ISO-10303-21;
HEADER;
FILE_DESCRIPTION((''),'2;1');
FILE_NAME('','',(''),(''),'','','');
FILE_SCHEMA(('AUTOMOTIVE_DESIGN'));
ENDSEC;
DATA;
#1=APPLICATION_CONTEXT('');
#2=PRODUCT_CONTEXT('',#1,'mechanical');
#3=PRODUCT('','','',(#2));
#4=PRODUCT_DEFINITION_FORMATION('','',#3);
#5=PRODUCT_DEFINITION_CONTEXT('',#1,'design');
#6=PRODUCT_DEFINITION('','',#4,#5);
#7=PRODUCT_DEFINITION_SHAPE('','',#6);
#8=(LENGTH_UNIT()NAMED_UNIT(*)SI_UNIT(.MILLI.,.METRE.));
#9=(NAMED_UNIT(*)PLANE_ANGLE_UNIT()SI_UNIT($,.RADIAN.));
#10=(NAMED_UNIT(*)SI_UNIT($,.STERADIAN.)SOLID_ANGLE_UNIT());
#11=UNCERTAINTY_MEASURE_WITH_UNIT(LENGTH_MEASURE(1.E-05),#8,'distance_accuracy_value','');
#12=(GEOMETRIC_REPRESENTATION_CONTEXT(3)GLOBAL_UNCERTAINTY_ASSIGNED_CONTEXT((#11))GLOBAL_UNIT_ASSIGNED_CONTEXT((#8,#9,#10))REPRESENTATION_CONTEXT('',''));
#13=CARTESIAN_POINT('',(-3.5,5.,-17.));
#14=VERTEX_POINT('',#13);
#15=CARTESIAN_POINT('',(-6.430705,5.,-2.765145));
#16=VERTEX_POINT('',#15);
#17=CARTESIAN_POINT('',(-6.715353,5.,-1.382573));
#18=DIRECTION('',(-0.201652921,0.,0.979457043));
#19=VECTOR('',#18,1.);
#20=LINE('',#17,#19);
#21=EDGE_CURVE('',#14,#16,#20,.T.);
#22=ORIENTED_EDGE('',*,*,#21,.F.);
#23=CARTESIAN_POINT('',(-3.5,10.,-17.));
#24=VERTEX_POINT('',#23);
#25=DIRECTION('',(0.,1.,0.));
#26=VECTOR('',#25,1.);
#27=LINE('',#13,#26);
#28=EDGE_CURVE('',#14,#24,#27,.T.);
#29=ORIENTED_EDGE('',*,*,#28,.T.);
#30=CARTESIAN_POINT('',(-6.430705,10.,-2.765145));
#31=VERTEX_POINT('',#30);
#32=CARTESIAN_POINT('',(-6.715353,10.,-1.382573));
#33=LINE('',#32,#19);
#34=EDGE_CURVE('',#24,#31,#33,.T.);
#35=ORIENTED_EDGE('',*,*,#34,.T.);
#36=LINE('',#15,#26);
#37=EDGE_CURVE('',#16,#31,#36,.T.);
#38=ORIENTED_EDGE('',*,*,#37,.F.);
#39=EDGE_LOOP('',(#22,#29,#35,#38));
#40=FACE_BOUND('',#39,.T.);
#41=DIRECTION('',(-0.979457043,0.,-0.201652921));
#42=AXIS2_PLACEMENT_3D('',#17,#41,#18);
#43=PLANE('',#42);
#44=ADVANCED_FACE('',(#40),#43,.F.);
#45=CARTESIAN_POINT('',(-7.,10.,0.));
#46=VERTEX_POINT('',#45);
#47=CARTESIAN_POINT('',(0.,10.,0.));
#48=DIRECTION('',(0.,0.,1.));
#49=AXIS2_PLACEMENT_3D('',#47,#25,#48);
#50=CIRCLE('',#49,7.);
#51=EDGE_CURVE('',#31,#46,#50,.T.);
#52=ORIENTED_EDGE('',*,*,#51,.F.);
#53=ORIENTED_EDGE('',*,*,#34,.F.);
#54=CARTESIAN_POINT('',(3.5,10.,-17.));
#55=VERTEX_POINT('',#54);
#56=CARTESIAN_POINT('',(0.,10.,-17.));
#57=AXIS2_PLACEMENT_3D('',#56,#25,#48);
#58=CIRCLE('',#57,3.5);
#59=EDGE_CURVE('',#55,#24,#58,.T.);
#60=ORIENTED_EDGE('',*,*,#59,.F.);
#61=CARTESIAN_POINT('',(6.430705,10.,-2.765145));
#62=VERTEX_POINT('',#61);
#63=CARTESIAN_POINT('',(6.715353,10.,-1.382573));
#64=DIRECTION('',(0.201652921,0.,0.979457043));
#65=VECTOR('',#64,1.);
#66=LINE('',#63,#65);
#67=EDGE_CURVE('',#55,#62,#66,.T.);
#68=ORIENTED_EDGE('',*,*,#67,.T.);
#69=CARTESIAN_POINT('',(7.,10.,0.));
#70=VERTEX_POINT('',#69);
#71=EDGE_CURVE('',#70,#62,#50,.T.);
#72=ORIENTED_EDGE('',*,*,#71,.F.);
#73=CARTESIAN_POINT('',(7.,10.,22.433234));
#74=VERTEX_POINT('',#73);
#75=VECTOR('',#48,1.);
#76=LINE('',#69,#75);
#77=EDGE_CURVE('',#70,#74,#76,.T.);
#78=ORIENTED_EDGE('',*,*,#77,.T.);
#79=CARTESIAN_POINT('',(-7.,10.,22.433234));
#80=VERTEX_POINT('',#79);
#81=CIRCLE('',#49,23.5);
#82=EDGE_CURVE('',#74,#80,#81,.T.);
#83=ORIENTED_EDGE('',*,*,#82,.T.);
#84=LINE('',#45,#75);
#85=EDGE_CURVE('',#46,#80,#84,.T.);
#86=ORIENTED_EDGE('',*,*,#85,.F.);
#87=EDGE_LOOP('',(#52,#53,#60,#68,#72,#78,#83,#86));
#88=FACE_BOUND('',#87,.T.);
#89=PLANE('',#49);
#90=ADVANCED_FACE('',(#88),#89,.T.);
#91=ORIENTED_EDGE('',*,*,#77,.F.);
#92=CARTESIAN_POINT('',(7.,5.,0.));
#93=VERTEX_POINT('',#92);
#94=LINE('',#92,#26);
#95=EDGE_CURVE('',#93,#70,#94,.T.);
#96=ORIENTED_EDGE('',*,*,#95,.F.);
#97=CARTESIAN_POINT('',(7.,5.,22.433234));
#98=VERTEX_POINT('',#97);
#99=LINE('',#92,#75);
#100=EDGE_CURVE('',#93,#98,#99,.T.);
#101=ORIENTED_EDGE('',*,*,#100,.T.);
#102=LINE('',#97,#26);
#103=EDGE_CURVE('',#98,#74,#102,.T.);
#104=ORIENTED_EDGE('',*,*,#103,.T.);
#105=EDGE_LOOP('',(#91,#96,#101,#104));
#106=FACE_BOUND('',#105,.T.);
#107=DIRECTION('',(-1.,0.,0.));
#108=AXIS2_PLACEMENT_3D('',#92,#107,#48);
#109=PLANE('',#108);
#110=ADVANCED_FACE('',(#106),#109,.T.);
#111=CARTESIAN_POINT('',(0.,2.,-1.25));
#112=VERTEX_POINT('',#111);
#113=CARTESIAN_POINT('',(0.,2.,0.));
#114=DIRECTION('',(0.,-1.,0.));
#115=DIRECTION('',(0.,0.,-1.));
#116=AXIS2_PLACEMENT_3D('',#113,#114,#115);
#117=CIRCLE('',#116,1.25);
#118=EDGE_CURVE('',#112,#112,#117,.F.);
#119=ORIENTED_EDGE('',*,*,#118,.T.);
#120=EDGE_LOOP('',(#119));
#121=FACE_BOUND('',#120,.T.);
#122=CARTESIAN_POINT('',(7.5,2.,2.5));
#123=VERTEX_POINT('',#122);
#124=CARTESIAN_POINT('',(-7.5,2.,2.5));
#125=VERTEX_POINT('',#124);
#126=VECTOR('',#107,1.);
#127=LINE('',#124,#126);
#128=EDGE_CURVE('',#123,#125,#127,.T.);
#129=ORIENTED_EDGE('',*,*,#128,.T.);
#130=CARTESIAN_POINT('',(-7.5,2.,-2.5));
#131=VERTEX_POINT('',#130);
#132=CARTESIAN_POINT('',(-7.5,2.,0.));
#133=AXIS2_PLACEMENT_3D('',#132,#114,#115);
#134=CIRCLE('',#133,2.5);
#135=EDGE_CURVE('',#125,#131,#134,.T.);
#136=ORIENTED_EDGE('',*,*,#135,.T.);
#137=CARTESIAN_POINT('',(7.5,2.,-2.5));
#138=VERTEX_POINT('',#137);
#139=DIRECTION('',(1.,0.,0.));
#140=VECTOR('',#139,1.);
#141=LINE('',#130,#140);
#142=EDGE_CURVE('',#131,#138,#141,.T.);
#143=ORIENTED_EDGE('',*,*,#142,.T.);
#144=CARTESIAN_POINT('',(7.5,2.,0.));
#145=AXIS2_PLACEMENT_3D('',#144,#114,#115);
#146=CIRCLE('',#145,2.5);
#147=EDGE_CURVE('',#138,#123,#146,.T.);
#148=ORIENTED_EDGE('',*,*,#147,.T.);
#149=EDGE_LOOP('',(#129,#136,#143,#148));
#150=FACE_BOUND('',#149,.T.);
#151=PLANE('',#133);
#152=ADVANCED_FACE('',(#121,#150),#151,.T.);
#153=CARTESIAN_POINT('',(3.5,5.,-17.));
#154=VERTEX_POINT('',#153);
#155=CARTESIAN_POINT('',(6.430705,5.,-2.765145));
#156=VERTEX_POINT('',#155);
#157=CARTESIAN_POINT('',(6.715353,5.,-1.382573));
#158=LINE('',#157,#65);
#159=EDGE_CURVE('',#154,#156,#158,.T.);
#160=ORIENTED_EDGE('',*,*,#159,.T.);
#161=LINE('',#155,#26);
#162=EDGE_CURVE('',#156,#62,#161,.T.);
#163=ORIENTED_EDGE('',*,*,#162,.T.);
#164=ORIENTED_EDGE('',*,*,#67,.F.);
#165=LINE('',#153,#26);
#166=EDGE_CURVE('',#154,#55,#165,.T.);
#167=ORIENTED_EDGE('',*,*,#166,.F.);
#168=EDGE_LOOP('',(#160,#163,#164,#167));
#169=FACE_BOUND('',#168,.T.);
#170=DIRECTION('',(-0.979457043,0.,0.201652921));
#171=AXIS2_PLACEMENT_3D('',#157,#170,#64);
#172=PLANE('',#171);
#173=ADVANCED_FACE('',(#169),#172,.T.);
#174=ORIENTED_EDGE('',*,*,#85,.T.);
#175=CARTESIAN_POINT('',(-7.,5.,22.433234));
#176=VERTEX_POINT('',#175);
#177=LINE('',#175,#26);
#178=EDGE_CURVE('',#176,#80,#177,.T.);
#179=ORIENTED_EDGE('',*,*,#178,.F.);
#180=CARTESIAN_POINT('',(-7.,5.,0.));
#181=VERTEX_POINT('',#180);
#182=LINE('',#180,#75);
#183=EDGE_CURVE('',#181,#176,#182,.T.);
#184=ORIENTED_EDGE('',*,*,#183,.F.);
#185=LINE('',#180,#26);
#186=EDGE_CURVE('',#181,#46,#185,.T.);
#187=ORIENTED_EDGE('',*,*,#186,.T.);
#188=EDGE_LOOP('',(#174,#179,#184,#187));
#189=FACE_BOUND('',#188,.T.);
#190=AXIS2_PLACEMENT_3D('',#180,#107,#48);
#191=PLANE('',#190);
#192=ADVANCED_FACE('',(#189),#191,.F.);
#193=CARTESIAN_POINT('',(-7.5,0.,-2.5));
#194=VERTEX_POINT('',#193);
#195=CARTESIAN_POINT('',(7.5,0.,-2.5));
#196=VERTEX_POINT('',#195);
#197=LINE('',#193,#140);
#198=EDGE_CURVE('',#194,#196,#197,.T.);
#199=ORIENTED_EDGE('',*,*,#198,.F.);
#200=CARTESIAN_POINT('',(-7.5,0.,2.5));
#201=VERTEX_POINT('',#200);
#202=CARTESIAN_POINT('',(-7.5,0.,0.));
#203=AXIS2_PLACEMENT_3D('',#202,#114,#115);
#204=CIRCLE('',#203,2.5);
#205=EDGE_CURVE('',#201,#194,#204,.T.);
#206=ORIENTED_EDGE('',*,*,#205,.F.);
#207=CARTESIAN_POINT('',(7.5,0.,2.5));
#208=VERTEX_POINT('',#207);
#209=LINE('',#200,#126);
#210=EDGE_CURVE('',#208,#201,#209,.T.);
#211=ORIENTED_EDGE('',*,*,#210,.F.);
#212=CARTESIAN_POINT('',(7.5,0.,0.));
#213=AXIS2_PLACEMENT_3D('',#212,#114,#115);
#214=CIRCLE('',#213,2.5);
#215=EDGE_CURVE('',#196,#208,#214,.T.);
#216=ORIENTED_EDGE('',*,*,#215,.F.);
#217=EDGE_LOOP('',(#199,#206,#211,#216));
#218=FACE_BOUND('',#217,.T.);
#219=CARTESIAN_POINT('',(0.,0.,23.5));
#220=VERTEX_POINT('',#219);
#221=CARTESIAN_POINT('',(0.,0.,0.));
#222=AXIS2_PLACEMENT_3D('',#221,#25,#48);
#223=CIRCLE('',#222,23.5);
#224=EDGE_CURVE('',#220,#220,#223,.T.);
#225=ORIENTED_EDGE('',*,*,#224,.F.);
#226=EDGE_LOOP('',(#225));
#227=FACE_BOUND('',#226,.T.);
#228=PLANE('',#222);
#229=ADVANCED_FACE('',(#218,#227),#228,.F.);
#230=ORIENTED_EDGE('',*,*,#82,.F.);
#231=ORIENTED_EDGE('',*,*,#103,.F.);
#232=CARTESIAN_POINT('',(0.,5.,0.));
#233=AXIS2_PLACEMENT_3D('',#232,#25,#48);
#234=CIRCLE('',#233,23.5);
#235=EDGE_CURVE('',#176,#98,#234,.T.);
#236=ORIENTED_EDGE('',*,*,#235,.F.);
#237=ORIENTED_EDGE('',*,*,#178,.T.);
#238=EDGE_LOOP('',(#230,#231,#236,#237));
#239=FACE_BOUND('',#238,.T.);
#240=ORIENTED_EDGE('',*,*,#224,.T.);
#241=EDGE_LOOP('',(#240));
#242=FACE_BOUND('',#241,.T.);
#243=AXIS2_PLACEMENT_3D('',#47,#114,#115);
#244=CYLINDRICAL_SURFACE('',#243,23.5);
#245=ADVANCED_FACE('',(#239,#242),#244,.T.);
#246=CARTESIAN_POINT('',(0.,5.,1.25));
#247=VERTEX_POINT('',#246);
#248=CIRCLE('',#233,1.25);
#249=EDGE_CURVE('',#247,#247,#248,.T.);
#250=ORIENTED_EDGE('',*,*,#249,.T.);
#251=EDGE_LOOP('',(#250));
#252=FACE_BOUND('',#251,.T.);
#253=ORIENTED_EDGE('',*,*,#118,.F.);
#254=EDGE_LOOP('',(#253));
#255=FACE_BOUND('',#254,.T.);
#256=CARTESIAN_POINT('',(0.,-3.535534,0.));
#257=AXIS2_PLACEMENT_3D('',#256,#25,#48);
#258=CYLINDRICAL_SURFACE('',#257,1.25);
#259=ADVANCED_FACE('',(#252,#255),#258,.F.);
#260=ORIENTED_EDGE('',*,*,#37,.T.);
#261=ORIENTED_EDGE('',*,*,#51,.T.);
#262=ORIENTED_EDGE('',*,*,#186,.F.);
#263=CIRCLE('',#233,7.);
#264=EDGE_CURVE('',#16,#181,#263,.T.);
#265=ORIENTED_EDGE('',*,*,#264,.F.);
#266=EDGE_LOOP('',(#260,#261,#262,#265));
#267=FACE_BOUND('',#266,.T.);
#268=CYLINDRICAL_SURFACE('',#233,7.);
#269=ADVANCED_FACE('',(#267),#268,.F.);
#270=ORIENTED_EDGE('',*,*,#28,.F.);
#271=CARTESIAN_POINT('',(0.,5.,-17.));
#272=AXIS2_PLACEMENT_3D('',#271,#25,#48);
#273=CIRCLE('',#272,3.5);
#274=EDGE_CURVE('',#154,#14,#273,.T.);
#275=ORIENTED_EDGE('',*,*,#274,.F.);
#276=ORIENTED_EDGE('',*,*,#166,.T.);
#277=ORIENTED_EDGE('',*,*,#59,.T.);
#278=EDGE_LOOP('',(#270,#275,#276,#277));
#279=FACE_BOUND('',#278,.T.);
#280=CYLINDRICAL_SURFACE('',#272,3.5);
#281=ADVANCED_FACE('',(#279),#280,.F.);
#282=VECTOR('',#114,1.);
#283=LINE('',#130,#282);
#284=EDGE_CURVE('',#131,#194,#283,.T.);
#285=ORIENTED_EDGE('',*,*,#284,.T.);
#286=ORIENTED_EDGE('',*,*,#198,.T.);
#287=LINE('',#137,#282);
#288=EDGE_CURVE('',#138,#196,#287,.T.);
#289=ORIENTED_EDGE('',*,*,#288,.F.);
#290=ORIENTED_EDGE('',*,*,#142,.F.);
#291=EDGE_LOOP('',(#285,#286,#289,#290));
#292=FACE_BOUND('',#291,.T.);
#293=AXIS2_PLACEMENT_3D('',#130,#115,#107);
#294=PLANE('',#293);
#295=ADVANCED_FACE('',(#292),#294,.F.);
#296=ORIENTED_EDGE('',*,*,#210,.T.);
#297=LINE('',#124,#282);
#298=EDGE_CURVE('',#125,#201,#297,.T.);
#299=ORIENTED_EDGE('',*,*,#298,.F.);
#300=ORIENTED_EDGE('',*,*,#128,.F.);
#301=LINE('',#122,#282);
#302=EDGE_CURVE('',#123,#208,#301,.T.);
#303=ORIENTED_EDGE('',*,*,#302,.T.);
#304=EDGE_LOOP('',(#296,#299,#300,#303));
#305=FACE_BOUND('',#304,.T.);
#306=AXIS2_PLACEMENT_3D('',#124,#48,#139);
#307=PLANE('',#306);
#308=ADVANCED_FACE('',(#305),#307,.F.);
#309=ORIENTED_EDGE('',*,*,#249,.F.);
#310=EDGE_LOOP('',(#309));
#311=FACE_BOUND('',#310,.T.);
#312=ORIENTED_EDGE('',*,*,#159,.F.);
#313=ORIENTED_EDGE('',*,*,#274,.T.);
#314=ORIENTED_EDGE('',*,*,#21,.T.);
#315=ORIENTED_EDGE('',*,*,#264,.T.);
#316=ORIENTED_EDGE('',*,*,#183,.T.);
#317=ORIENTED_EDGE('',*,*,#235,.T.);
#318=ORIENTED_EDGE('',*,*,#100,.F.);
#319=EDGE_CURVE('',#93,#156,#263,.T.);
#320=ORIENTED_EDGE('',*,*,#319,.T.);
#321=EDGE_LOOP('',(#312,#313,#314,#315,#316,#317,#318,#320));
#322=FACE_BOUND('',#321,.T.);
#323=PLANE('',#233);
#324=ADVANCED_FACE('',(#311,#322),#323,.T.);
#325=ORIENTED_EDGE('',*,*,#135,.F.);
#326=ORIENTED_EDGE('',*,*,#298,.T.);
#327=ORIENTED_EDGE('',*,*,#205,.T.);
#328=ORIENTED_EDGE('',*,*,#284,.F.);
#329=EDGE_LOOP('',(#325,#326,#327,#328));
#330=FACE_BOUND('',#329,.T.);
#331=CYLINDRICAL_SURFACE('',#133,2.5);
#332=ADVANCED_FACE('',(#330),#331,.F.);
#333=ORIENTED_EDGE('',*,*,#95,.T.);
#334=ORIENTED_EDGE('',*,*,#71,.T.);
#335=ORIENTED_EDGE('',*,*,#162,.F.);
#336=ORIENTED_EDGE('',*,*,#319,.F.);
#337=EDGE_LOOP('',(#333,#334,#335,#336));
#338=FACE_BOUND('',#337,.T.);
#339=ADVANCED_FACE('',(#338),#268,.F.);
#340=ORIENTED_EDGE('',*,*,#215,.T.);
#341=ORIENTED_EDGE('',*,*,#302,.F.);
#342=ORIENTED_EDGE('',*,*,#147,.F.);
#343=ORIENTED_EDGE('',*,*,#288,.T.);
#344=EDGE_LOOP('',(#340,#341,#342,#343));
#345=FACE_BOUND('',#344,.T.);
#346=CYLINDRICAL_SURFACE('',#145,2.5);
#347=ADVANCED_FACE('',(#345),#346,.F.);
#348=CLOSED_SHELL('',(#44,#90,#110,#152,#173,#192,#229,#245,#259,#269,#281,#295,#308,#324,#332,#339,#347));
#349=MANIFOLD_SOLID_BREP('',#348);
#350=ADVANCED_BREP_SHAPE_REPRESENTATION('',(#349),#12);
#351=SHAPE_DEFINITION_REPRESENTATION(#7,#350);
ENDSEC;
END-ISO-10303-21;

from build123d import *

# Parameters (mm, degrees)
CROQUIS1_R              = 23.5
SALIENTE_EXTRUIR1_DEPTH = 10
CORTAR_EXTRUIR3_DEPTH   = 5
CROQUIS3_R              = 1.25
CORTAR_EXTRUIR4_DEPTH   = 10
CORTAR_EXTRUIR6_DEPTH   = 2


with BuildPart() as part:
    # Croquis1 → Saliente-Extruir1 (new body)
    with BuildSketch(Plane(origin=(0, 0, 0), x_dir=(1, 0, 0), z_dir=(0, 1, 0))):
        Circle(CROQUIS1_R)
    extrude(amount=SALIENTE_EXTRUIR1_DEPTH)

    # Croquis2 → Cortar-Extruir3 (cut)
    with BuildSketch(Plane(origin=(0, 10, 0), x_dir=(1, 0, 0), z_dir=(0, 1, 0))):
        with BuildLine():
            ThreePointArc((3.5, 17), (0, 20.5), (-3.5, 17))
            Line((-3.5, 17), (3.5, 17))
        make_face()
        with BuildLine():
            Line((3.5, 17), (-3.5, 17))
            ThreePointArc((-3.5, 17), (0, 13.5), (3.5, 17))
        make_face()
        with BuildLine():
            Line((-3.5, 6.062177826), (-3.5, 17))
            Line((-3.5, 17), (-6.430705394, 2.765145228))
            ThreePointArc((-6.430705394, 2.765145228), (-5.231857547, 4.650555516), (-3.5, 6.062177826))
        make_face()
        with BuildLine():
            ThreePointArc((3.5, 17), (0, 13.5), (-3.5, 17))
            Line((-3.5, 17), (-3.5, 6.062177826))
            ThreePointArc((-3.5, 6.062177826), (0, 7), (3.5, 6.062177826))
            Line((3.5, 6.062177826), (3.5, 17))
        make_face()
        with BuildLine():
            Line((6.430705394, 2.765145228), (3.5, 17))
            Line((3.5, 17), (3.5, 6.062177826))
            ThreePointArc((3.5, 6.062177826), (5.231857547, 4.650555516), (6.430705394, 2.765145228))
        make_face()
        with BuildLine():
            ThreePointArc((6.430705394, 2.765145228), (5.231857547, 4.650555516), (3.5, 6.062177826))
            Line((3.5, 6.062177826), (3.5, 0))
            Line((3.5, 0), (7, 0))
            Line((7, 0), (6.430705394, 2.765145228))
        make_face()
        with BuildLine():
            ThreePointArc((3.5, 6.062177826), (0, 7), (-3.5, 6.062177826))
            Line((-3.5, 6.062177826), (-3.5, 0))
            Line((-3.5, 0), (3.5, 0))
            Line((3.5, 0), (3.5, 6.062177826))
        make_face()
        with BuildLine():
            Line((3.5, 0), (-3.5, 0))
            Line((-3.5, 0), (-3.5, -6.062177826))
            ThreePointArc((-3.5, -6.062177826), (0, -7), (3.5, -6.062177826))
            Line((3.5, -6.062177826), (3.5, 0))
        make_face()
        with BuildLine():
            ThreePointArc((-3.5, 6.062177826), (-5.231857547, 4.650555516), (-6.430705394, 2.765145228))
            Line((-6.430705394, 2.765145228), (-7, 0))
            Line((-7, 0), (-3.5, 0))
            Line((-3.5, 0), (-3.5, 6.062177826))
        make_face()
        with BuildLine():
            Line((-3.5, 0), (-7, 0))
            ThreePointArc((-7, 0), (-6.062177826, -3.5), (-3.5, -6.062177826))
            Line((-3.5, -6.062177826), (-3.5, 0))
        make_face()
        with BuildLine():
            Line((7, 0), (3.5, 0))
            Line((3.5, 0), (3.5, -6.062177826))
            ThreePointArc((3.5, -6.062177826), (6.062177826, -3.5), (7, 0))
        make_face()
        with BuildLine():
            ThreePointArc((7, 0), (6.856199303, 1.411570445), (6.430705394, 2.765145228))
            Line((6.430705394, 2.765145228), (7, 0))
        make_face()
        with BuildLine():
            Line((-7, 0), (-6.430705394, 2.765145228))
            ThreePointArc((-6.430705394, 2.765145228), (-6.856199303, 1.411570445), (-7, 0))
        make_face()
        with BuildLine():
            ThreePointArc((3.5, -6.062177826), (0, -7), (-3.5, -6.062177826))
            Line((-3.5, -6.062177826), (-3.5, -17))
            Line((-3.5, -17), (3.5, -17))
            Line((3.5, -17), (3.5, -6.062177826))
        make_face()
        with BuildLine():
            ThreePointArc((-3.5, -6.062177826), (-6.062177826, -3.5), (-7, 0))
            Line((-7, 0), (-7, -22.433234274))
            ThreePointArc((-7, -22.433234274), (-3.540409196, -23.231777864), (0, -23.5))
            ThreePointArc((0, -23.5), (3.540409196, -23.231777864), (7, -22.433234274))
            Line((7, -22.433234274), (7, 0))
            ThreePointArc((7, 0), (6.062177826, -3.5), (3.5, -6.062177826))
            Line((3.5, -6.062177826), (3.5, -17))
            Line((3.5, -17), (-3.5, -17))
            Line((-3.5, -17), (-3.5, -6.062177826))
        make_face()
    extrude(amount=-CORTAR_EXTRUIR3_DEPTH, mode=Mode.SUBTRACT)

    # Croquis3 → Cortar-Extruir4 (cut)
    with BuildSketch(Plane(origin=(0, 10, 0), x_dir=(1, 0, 0), z_dir=(0, 1, 0))):
        Circle(CROQUIS3_R)
    extrude(amount=-CORTAR_EXTRUIR4_DEPTH, mode=Mode.SUBTRACT)

    # Croquis5 → Cortar-Extruir6 (cut)
    with BuildSketch(Plane.XZ):
        with BuildLine():
            Line((-7.5, 2.5), (7.5, 2.5))
            ThreePointArc((7.5, 2.5), (10, 0), (7.5, -2.5))
            Line((7.5, -2.5), (-7.5, -2.5))
            ThreePointArc((-7.5, -2.5), (-10, 0), (-7.5, 2.5))
        make_face()
    extrude(amount=-CORTAR_EXTRUIR6_DEPTH, mode=Mode.SUBTRACT)


solid = part.part
